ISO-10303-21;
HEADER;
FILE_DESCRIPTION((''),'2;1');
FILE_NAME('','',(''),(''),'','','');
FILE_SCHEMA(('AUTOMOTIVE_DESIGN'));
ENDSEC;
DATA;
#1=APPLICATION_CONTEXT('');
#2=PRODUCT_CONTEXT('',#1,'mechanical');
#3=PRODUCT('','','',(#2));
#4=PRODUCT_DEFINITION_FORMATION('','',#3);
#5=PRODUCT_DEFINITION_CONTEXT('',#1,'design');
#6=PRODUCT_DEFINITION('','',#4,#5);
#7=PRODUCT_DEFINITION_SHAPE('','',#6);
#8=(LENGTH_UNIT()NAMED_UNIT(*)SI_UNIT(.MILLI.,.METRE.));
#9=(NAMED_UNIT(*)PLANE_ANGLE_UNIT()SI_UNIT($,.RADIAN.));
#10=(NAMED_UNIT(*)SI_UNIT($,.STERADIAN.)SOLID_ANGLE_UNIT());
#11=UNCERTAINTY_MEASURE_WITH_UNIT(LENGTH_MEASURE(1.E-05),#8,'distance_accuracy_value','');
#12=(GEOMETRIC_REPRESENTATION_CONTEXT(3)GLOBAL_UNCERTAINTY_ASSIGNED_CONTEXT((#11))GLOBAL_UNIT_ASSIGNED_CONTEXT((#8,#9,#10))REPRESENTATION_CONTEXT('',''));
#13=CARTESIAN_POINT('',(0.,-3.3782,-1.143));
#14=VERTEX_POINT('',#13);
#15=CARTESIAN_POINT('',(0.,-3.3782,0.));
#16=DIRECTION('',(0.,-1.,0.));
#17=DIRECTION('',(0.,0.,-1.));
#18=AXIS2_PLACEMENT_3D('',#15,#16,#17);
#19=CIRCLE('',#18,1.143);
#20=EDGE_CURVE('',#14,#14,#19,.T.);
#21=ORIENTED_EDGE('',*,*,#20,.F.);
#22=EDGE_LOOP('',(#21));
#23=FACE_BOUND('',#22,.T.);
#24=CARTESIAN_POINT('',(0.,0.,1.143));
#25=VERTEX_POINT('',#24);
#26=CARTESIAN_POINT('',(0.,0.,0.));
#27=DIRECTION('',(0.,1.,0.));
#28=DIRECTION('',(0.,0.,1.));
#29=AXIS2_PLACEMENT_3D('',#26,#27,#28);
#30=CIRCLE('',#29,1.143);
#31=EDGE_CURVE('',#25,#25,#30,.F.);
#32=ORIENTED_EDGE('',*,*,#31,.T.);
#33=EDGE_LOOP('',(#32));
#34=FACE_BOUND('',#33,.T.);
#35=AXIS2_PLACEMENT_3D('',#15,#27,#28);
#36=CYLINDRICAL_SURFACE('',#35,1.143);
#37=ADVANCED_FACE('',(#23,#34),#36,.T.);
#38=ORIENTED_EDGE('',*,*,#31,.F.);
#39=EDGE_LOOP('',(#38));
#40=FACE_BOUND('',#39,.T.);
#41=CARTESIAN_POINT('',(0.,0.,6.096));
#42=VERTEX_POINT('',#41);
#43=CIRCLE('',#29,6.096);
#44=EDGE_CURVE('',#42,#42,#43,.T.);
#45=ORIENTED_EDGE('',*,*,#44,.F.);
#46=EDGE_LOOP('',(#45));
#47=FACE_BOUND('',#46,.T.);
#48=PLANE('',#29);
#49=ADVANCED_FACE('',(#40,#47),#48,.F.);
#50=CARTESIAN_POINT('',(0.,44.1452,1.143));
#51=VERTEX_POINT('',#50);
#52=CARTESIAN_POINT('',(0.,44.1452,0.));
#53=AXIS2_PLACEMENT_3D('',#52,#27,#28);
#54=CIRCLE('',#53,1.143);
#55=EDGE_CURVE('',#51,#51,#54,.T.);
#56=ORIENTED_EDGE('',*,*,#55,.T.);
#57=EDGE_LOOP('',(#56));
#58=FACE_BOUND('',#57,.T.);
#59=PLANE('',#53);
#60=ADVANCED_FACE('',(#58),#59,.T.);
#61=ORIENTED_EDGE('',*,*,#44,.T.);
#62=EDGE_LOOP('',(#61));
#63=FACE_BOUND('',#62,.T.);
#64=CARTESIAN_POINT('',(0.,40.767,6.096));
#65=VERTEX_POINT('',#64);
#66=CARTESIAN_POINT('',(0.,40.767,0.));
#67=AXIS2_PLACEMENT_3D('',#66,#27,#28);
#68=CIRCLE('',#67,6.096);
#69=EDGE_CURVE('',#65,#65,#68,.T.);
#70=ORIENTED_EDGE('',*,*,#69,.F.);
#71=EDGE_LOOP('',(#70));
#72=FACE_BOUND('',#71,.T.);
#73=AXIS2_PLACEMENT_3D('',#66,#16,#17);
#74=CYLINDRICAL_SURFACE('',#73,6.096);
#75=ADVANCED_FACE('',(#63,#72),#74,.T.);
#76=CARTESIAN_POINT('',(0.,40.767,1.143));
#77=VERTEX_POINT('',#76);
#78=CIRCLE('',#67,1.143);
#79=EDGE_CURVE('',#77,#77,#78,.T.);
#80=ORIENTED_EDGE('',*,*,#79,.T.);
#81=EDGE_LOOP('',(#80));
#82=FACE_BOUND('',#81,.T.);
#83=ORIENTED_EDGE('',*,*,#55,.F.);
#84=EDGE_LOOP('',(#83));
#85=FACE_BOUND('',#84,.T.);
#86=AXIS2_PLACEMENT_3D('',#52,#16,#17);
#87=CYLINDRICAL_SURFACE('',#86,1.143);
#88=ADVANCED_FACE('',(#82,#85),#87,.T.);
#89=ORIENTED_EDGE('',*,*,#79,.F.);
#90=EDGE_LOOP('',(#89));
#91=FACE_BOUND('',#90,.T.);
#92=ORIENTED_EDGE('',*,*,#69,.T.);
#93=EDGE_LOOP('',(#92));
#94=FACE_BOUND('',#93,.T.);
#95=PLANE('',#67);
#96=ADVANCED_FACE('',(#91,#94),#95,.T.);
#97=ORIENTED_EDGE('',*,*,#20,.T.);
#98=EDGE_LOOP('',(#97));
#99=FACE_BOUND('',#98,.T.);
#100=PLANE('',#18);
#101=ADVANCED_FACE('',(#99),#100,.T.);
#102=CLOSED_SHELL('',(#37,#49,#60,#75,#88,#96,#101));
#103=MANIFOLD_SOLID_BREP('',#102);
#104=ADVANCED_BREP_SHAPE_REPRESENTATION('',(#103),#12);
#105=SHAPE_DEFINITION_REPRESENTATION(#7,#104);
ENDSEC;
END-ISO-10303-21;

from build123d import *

# Parameters (mm, degrees)
SKETCH1_R            = 6.096
BOSS_EXTRUDE8_DEPTH  = 40.767
SKETCH7_R            = 1.143
BOSS_EXTRUDE10_DEPTH = 3.3782
SKETCH8_R            = 1.143
BOSS_EXTRUDE12_DEPTH = 3.3782


with BuildPart() as part:
    # Sketch1 → Boss-Extrude8 (new body)
    with BuildSketch(Plane(origin=(0, 0, 0), x_dir=(1, 0, 0), z_dir=(0, 1, 0))):
        Circle(SKETCH1_R)
    extrude(amount=BOSS_EXTRUDE8_DEPTH)

    # Sketch7 → Boss-Extrude10 (add)
    with BuildSketch(Plane.XZ):
        Circle(SKETCH7_R)
    extrude(amount=BOSS_EXTRUDE10_DEPTH)

    # Sketch8 → Boss-Extrude12 (add)
    with BuildSketch(Plane(origin=(0, 40.767, 0), x_dir=(1, 0, 0), z_dir=(0, 1, 0))):
        Circle(SKETCH8_R)
    extrude(amount=BOSS_EXTRUDE12_DEPTH)


solid = part.part
